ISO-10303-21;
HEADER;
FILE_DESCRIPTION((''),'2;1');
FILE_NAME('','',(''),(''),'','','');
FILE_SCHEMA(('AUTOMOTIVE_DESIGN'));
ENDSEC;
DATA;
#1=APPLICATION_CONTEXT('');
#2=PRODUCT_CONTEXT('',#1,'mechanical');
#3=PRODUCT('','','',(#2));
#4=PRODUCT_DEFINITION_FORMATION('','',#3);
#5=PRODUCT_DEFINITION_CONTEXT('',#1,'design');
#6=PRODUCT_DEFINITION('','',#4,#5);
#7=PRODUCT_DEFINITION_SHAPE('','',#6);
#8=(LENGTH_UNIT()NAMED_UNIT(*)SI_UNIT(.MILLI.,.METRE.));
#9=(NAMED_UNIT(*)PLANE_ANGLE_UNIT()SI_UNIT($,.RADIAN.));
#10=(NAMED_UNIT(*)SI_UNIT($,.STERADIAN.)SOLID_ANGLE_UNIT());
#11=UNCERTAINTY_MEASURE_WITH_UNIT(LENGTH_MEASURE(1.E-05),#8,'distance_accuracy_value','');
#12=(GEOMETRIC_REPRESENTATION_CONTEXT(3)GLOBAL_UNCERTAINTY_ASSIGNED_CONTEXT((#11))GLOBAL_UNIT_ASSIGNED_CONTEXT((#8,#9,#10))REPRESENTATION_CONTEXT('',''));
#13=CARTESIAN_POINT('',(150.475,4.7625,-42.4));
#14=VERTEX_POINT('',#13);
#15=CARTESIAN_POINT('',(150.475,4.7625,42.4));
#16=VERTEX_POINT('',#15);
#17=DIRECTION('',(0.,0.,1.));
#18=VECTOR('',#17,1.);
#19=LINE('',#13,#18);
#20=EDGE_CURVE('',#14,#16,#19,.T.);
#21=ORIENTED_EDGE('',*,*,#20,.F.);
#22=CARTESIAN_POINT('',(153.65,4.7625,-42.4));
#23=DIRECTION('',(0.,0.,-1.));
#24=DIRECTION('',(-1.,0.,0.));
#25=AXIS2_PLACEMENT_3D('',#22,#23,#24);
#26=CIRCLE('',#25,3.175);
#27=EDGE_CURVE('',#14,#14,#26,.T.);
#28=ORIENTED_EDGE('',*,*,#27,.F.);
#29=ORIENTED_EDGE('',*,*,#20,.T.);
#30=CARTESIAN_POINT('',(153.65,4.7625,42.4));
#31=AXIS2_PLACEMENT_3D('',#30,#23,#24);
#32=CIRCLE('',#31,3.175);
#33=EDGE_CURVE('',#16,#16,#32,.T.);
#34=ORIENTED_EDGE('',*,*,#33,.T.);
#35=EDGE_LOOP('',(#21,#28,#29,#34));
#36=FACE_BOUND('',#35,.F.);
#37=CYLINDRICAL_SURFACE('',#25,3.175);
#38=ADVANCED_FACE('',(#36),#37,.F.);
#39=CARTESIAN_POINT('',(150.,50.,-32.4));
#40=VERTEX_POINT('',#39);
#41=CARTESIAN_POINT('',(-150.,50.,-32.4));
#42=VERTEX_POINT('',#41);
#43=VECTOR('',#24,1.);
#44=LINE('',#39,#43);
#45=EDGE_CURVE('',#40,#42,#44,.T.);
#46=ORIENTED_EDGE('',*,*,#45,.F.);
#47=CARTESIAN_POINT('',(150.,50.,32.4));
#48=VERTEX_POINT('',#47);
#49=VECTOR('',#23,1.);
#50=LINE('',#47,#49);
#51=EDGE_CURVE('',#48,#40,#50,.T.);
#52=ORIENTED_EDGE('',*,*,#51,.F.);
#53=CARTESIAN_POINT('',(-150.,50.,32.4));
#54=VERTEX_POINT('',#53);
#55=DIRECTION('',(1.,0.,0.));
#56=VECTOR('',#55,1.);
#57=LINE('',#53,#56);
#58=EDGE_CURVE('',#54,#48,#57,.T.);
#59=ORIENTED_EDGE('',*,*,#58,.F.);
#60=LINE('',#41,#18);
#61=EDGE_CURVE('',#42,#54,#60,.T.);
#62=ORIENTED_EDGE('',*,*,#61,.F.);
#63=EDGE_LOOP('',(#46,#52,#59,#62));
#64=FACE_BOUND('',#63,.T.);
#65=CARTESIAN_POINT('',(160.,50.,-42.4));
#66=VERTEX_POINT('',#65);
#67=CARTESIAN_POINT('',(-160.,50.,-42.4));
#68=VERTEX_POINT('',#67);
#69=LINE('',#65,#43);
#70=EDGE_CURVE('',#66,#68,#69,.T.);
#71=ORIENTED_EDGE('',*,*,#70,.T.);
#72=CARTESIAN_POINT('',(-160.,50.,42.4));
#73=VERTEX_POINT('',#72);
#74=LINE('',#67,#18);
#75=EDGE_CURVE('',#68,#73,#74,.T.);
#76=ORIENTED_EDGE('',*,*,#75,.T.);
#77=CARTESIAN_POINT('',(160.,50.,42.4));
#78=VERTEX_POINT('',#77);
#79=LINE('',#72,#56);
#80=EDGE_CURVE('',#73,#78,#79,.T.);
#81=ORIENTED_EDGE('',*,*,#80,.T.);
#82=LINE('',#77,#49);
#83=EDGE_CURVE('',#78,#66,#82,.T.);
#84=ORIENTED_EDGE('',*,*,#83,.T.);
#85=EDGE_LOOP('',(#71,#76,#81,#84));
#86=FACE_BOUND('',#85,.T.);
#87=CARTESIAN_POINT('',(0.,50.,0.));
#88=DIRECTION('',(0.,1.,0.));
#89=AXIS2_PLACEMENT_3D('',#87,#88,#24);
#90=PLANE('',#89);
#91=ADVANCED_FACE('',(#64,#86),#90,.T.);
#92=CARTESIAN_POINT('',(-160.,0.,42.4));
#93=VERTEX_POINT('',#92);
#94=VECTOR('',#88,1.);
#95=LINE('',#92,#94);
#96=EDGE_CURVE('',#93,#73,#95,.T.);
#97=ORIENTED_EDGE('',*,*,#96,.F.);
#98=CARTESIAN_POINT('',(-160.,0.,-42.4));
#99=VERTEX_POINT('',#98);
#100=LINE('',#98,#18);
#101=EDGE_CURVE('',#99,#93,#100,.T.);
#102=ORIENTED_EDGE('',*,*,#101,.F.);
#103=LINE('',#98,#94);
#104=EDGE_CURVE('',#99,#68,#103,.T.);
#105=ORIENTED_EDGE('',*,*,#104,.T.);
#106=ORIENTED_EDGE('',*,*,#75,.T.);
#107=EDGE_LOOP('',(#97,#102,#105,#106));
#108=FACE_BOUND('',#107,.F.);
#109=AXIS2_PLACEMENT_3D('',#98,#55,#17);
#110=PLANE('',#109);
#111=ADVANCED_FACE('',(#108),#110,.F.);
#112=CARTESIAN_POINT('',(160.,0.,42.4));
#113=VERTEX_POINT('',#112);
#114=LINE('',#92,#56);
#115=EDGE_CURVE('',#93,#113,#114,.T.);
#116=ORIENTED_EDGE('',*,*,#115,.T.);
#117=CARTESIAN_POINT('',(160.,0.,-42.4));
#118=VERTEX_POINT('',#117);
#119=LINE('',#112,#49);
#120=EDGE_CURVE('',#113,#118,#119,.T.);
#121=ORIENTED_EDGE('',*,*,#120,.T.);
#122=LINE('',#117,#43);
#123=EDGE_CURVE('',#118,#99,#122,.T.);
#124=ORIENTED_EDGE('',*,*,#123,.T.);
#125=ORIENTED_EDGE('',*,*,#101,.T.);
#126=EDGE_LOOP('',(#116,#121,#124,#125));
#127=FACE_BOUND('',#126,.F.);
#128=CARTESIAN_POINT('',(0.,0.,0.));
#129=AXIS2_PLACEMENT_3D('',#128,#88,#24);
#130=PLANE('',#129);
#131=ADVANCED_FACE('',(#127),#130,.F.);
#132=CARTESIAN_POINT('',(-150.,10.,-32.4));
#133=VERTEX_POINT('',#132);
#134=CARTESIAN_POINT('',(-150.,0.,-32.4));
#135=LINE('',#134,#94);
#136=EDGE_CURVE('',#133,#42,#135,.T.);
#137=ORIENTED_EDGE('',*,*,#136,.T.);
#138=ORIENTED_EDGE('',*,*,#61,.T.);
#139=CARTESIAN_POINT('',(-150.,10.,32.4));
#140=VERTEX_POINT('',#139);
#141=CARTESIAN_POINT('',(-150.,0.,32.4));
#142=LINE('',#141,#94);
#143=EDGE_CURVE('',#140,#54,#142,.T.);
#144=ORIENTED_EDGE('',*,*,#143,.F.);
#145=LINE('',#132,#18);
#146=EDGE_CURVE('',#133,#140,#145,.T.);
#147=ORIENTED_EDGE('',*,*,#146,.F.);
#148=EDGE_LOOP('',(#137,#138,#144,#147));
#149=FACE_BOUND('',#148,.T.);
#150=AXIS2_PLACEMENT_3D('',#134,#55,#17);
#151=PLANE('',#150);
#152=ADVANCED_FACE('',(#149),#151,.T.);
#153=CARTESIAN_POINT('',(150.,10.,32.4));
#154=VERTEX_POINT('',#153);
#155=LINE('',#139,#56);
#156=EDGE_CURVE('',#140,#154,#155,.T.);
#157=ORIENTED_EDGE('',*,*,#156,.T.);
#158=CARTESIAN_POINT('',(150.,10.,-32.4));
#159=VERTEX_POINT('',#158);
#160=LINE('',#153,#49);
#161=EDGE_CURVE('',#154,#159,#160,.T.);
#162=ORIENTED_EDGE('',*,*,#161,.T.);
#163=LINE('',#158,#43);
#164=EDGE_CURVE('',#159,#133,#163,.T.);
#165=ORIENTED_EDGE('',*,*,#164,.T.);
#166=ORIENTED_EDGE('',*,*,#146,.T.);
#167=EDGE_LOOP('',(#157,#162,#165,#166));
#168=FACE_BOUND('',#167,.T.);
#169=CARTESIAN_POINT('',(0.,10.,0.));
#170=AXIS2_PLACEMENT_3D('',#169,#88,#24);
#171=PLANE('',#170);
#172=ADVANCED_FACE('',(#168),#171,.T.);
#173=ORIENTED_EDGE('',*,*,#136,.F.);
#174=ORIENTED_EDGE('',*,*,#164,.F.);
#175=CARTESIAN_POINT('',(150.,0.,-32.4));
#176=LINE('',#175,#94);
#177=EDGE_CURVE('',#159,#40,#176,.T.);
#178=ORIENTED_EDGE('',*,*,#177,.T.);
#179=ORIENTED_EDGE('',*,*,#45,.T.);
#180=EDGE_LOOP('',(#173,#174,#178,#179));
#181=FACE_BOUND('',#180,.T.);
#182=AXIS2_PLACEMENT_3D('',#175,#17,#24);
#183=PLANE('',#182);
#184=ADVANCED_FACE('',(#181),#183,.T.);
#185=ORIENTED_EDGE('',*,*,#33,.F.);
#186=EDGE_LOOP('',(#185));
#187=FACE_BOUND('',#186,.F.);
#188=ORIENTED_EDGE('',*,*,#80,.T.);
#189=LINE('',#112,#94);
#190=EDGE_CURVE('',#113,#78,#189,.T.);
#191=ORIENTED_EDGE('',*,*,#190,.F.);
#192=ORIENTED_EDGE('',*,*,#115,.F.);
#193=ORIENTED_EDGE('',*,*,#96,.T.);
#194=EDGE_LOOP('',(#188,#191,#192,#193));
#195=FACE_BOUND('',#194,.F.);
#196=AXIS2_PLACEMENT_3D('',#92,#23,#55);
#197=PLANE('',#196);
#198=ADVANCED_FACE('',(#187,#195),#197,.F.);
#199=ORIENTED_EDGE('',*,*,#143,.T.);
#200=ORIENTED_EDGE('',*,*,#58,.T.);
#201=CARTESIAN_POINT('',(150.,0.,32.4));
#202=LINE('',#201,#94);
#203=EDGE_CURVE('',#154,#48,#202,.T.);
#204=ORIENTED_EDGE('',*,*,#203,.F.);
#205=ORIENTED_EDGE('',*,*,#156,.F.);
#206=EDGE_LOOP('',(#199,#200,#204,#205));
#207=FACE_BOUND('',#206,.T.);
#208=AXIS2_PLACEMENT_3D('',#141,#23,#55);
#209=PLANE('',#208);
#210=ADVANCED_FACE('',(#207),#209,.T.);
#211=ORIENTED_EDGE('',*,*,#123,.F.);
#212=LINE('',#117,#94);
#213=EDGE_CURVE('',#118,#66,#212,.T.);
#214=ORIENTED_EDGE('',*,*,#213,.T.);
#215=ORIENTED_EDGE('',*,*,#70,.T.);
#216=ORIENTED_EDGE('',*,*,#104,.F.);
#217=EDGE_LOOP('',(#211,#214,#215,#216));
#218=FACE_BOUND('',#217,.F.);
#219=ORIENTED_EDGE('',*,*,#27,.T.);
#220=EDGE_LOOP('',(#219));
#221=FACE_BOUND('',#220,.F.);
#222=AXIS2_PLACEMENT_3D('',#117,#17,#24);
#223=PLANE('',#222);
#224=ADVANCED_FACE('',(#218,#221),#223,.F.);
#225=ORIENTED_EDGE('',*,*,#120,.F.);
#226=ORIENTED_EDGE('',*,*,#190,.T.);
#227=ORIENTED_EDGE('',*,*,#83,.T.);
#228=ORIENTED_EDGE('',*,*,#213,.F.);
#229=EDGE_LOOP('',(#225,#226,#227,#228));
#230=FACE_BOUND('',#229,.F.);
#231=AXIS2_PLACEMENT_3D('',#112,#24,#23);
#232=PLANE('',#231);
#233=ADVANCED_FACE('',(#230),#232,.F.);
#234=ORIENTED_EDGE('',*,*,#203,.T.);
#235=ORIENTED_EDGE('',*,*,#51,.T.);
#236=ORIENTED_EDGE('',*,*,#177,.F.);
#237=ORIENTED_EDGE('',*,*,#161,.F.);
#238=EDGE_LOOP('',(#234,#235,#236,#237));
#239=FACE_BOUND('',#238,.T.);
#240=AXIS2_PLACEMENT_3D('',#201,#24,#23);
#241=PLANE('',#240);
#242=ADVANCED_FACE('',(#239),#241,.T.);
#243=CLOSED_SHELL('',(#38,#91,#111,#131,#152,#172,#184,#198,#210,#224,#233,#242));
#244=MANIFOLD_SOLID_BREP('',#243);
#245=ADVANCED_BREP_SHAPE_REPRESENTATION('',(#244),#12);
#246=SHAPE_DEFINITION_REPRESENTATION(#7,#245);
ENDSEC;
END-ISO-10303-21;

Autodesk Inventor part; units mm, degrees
ref_plane "YZ Plane" through (0, 0, 0) normal (1, 0, 0) x (0, 1, 0)
ref_plane "XZ Plane" through (0, 0, 0) normal (0, 1, 0) x (-1, 0, 0)
ref_plane "XY Plane" through (0, 0, 0) normal (0, 0, 1) x (1, 0, 0)
sketch "Sketch1" plane through (0, 0, 0) normal (0, 1, 0) x (-1, 0, 0)
  line L0 (150, 32.4) -> (-150, 32.4)
  line L1 (-150, 32.4) -> (-150, -32.4)
  line L2 (-150, -32.4) -> (150, -32.4)
  line L3 (150, -32.4) -> (150, 32.4)
  line L4 (150, 32.4) -> (-150, -32.4) construction
  line L5 (-150, 32.4) -> (150, -32.4) construction
  line L6 (160, 42.4) -> (-160, 42.4)
  line L7 (-160, 42.4) -> (-160, -42.4)
  line L8 (-160, -42.4) -> (160, -42.4)
  line L9 (160, -42.4) -> (160, 42.4)
  point P0 (0, 0)
  dimension "d0" = 64.8
  dimension "d1" = 300
  dimension "d2" = 10
  dimension "d15" = 84.8
extrude "Extrusion1" add sketch "Sketch1" along normal blind 10 contours L3 L2 L1 L0
extrude "Extrusion2" add sketch "Sketch1" along normal blind 50
sketch "Sketch2" plane through (160, 0, -42.4) normal (0, 0, -1) x (-1, 0, 0)
  point P0 (160, 0)
sketch "Sketch6" plane through (160, 0, -42.4) normal (0, 0, -1) x (-1, 0, 0)
  point P0 (160, 0)
sketch "Sketch7" plane through (160, 0, -42.4) normal (0, 0, -1) x (-1, 0, 0)
  point P0 (160, 0)
sketch "Sketch8" plane through (160, 0, -42.4) normal (0, 0, -1) x (-1, 0, 0)
  circle A0 centre (6.35, 4.7625) radius 3.175
  point P0 (160, 0)
  dimension "d12" = 6.35
extrude "Extrusion5" cut sketch "Sketch8" along normal mid plane 1000
properties part number "GiveBox"
